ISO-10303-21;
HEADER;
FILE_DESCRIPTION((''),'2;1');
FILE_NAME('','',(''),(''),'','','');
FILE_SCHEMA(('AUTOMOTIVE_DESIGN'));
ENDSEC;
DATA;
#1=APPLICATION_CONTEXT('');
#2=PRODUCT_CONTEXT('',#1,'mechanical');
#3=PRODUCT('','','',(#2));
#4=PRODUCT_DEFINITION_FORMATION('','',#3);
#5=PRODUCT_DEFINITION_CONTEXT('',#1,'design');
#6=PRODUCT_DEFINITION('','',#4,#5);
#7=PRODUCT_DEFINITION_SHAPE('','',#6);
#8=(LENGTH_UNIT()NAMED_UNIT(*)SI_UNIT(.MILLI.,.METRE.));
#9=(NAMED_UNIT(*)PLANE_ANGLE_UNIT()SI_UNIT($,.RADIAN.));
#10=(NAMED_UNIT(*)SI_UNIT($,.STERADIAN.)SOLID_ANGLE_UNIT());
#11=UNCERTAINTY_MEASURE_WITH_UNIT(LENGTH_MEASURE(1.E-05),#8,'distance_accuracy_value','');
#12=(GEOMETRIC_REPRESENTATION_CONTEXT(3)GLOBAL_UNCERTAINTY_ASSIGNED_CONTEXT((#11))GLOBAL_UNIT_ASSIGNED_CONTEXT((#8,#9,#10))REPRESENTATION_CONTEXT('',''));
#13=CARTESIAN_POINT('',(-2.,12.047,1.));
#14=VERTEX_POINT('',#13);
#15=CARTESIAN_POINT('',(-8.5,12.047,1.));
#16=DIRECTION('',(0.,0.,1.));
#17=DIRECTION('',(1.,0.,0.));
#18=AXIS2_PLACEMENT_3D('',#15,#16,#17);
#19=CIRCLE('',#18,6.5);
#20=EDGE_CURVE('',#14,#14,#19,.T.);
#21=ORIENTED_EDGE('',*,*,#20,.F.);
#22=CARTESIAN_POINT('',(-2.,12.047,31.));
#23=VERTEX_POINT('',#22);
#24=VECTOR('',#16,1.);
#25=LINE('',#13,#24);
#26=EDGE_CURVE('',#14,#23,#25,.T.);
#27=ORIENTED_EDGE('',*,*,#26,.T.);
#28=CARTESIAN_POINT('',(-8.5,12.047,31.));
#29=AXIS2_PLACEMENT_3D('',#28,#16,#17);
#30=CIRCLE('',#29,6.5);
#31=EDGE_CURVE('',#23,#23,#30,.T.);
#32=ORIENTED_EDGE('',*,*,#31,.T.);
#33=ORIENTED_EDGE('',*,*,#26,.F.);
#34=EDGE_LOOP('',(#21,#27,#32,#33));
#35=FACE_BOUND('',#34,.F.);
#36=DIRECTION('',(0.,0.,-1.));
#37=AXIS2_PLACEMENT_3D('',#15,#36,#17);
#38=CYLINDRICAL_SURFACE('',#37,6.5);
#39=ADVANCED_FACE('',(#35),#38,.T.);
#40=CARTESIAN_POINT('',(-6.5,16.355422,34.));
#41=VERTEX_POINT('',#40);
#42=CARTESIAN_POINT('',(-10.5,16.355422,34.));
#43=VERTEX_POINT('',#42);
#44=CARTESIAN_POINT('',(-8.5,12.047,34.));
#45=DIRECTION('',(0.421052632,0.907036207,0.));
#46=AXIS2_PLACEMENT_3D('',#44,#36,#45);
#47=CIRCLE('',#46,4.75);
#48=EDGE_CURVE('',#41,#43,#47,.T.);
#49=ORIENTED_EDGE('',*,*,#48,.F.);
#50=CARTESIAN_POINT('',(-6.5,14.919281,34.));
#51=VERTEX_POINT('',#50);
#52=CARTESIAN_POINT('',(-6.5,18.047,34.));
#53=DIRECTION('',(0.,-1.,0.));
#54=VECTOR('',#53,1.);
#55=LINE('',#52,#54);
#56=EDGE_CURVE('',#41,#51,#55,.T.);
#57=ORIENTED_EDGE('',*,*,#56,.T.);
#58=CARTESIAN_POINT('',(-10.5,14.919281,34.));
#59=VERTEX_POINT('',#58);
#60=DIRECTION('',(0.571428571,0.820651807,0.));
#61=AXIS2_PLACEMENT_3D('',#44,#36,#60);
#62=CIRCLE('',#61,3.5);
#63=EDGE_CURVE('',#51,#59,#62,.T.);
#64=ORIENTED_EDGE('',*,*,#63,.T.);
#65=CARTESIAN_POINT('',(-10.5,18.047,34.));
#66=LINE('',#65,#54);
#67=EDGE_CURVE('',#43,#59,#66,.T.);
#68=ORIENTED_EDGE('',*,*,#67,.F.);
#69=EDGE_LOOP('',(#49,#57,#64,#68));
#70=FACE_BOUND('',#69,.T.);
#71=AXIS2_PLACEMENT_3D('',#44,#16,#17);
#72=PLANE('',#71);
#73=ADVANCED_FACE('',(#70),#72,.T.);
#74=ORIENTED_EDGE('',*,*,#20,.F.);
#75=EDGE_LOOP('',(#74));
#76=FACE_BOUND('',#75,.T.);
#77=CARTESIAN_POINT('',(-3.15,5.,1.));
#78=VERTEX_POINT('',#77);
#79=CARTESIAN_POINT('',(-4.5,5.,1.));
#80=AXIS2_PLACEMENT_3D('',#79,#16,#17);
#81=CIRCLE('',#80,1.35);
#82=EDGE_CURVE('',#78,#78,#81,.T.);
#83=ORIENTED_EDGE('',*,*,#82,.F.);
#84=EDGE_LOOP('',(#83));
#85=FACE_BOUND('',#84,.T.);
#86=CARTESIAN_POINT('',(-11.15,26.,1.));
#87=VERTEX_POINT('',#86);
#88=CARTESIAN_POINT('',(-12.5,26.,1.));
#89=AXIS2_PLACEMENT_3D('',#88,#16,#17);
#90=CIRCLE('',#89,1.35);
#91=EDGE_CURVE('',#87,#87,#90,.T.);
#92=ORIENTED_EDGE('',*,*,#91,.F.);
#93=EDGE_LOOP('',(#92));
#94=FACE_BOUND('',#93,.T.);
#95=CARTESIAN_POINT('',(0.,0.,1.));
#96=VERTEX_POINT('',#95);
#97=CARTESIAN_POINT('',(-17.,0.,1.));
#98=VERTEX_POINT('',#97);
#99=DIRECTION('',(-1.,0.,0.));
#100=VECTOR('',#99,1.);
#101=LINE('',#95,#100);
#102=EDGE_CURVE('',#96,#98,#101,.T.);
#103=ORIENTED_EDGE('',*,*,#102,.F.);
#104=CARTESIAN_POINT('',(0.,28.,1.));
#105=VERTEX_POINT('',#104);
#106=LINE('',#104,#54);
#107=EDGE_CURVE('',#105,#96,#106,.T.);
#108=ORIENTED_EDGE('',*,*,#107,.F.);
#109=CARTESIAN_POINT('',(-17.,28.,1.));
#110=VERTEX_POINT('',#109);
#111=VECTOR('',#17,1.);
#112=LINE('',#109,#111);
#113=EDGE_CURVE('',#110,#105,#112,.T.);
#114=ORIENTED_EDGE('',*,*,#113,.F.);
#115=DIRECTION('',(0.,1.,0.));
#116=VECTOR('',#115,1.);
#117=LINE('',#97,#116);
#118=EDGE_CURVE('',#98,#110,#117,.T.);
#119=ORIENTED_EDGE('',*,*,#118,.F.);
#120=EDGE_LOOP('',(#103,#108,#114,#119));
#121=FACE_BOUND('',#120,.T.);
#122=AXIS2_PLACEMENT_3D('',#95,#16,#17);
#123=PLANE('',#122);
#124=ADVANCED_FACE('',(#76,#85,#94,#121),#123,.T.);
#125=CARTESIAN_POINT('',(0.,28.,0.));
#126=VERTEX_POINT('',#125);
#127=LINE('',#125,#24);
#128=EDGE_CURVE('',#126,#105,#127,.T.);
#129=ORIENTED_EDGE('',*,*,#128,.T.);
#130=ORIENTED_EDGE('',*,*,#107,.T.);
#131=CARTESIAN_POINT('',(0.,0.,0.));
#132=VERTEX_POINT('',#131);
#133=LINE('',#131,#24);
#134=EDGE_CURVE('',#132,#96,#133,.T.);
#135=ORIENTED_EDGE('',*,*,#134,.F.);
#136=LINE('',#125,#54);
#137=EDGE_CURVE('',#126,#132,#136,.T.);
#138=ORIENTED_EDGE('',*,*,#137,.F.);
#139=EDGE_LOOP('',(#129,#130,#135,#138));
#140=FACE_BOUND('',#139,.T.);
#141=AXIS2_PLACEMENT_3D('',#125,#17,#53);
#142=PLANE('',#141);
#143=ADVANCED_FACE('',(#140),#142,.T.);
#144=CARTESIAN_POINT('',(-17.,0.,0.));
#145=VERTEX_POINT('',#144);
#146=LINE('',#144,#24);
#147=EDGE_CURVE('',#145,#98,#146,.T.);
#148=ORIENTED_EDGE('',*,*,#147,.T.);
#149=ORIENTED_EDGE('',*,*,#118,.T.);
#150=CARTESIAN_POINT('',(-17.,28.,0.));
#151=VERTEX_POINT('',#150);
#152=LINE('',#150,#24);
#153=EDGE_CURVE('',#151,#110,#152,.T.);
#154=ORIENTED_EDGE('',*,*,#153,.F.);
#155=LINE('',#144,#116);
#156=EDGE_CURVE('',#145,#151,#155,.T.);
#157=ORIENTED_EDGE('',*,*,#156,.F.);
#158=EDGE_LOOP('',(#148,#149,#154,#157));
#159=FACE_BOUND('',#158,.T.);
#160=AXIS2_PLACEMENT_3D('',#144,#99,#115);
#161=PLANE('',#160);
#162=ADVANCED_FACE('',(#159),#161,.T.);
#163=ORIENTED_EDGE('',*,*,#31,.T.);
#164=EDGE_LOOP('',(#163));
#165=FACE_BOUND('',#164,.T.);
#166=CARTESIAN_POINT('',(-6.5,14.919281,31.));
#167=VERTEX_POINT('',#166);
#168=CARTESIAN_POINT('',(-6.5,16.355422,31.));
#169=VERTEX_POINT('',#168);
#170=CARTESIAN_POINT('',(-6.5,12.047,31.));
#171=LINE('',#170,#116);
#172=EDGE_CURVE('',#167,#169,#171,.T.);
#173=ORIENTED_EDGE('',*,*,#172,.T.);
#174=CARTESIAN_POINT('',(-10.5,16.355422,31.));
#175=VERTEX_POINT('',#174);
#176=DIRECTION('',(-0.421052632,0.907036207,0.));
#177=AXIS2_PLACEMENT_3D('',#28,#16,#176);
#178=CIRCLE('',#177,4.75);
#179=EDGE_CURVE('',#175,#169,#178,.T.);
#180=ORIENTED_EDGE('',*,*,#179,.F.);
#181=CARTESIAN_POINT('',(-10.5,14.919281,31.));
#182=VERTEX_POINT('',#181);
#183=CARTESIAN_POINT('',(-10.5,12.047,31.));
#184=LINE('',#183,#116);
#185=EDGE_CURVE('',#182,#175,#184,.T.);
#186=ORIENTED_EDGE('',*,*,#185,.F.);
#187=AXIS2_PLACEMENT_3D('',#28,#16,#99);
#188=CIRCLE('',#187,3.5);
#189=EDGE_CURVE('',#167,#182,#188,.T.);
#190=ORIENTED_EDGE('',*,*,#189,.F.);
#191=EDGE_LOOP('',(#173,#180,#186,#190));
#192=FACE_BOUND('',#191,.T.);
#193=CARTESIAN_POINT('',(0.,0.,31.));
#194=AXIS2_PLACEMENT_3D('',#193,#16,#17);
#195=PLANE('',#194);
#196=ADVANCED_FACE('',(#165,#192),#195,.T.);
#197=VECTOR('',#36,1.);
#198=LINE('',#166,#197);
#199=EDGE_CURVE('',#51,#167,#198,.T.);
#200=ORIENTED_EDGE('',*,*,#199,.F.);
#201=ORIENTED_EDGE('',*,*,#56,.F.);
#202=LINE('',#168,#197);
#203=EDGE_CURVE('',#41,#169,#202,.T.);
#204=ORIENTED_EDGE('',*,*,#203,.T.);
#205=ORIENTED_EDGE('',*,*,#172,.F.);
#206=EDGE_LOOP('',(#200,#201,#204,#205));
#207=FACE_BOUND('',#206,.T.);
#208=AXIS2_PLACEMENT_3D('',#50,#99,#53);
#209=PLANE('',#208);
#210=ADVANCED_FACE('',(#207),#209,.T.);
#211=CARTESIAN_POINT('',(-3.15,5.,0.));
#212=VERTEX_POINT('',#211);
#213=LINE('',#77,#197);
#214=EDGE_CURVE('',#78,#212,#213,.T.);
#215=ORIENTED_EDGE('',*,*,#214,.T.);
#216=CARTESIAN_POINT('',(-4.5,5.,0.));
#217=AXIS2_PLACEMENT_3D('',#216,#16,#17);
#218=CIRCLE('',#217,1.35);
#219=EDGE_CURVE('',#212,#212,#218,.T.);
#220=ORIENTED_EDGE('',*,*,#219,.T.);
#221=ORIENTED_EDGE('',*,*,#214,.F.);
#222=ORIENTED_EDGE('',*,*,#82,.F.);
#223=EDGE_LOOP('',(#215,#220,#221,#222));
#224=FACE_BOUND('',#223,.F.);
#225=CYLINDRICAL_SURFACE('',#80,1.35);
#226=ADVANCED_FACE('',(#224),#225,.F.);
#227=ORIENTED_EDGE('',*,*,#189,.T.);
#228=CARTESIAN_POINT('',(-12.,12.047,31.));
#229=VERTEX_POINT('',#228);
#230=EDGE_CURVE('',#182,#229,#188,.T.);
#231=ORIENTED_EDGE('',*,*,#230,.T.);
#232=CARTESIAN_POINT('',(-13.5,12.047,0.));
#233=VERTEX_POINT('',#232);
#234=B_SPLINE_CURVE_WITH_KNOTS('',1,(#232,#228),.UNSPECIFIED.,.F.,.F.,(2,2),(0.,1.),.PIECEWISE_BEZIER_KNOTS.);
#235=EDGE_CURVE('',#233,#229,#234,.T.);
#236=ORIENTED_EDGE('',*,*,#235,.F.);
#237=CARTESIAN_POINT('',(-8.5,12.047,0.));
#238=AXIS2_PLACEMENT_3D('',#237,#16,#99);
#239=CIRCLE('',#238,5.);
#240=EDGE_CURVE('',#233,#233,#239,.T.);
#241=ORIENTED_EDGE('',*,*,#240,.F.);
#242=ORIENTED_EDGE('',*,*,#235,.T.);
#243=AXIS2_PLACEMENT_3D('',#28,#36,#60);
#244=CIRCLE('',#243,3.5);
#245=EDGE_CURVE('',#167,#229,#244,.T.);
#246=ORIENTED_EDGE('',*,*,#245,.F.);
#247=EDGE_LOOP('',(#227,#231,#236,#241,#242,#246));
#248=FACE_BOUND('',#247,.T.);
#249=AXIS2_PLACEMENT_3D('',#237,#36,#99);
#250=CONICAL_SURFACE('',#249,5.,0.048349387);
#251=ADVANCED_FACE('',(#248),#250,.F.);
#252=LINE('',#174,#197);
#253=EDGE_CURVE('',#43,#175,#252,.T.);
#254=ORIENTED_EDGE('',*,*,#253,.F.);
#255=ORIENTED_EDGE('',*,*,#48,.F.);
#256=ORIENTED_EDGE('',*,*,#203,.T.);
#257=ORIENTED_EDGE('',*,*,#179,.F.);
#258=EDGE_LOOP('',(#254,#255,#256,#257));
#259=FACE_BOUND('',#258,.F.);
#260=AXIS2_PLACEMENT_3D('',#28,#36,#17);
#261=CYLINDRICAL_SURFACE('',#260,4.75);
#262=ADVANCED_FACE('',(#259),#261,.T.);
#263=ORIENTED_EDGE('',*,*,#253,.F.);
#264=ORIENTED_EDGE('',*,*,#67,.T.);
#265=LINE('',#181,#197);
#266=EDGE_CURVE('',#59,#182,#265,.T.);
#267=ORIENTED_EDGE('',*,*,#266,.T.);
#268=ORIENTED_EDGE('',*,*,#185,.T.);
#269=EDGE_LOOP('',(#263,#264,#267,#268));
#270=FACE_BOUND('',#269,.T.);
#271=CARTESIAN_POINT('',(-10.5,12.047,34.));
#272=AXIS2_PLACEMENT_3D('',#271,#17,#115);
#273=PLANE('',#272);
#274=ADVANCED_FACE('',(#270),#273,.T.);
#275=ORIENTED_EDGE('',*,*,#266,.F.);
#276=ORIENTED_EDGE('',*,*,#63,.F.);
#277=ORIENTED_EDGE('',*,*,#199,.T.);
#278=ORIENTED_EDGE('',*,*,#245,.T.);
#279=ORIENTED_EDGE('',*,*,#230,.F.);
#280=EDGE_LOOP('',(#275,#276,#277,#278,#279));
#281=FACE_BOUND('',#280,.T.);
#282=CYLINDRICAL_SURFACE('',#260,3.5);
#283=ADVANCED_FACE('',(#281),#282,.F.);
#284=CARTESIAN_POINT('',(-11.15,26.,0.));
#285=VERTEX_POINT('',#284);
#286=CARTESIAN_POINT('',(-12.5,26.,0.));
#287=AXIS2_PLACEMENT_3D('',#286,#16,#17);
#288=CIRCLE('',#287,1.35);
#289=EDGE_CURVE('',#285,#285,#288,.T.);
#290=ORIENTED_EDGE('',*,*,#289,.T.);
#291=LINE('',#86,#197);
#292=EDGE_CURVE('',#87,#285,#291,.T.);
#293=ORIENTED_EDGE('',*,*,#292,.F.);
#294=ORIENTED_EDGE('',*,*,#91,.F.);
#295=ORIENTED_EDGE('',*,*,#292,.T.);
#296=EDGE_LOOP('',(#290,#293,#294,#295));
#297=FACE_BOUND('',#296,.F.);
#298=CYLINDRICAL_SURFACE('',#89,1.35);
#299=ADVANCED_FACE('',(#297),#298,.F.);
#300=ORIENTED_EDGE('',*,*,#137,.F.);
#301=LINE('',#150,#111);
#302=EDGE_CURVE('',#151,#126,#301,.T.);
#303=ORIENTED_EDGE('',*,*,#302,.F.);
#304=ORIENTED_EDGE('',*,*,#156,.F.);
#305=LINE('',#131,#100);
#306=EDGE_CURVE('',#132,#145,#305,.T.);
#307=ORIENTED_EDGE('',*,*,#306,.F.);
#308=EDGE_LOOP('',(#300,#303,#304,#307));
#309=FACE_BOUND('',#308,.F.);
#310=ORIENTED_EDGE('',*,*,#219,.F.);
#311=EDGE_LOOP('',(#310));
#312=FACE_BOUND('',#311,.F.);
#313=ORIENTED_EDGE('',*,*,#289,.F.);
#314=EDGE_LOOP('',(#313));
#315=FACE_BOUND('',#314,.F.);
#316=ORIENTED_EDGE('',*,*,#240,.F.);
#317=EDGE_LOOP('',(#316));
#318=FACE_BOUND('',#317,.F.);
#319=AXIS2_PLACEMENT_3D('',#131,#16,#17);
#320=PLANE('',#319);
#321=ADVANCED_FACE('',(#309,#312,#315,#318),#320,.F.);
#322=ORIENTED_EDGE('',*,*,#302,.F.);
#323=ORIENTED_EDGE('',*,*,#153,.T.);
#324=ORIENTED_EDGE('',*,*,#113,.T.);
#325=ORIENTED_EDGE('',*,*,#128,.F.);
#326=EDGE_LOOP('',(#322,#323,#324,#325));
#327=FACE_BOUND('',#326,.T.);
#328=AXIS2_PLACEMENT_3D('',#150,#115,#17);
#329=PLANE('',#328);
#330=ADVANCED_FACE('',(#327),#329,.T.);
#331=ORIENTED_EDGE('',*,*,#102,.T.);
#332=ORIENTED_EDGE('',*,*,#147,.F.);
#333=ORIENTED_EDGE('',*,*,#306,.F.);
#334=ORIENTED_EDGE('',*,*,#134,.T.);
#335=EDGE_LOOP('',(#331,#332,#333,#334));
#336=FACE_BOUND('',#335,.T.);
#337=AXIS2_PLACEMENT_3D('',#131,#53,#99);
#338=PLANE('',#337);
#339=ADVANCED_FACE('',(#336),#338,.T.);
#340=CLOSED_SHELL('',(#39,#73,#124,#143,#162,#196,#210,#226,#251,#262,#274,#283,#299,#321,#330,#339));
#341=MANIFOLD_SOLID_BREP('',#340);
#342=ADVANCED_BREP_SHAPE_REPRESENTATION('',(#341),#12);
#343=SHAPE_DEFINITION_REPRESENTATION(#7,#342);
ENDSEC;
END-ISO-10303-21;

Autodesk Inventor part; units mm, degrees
ref_plane "YZ Plane" through (0, 0, 0) normal (1, 0, 0) x (0, 1, 0)
ref_plane "XZ Plane" through (0, 0, 0) normal (0, 1, 0) x (-1, 0, 0)
ref_plane "XY Plane" through (0, 0, 0) normal (0, 0, 1) x (1, 0, 0)
sketch "Sketch1" plane through (0, 0, 0) normal (0, 0, 1) x (1, 0, 0)
  line L0 (-17, 28) -> (0, 28)
  line L1 (0, 28) -> (0, 0)
  line L2 (0, 0) -> (-17, 0)
  line L3 (-17, 0) -> (-17, 28)
  dimension "d0" = 17
  dimension "d1" = 28
extrude "Extrusion1" add sketch "Sketch1" along normal blind 1
sketch "Sketch2" plane through (0, 0, 1) normal (0, 0, 1) x (1, 0, 0)
  line L0 (-17, 28) -> (-17, 0) projected
  line L1 (0, 28) -> (-17, 28) projected
  line L2 (0, 0) -> (0, 28) projected
  line L3 (-17, 0) -> (0, 0) projected
  circle A0 centre (-12.5, 26) radius 1.35
  circle A1 centre (-4.5, 5) radius 1.35
  dimension "d4" = 2.7
  dimension "d5" = 2.7
  dimension "d6" = 4.5
  dimension "d7" = 4.5
  dimension "d8" = 2
  dimension "d9" = 5
extrude "Extrusion2" cut sketch "Sketch2" against normal through all contours A0 | A1
sketch "Sketch3" plane through (0, 0, 1) normal (0, 0, 1) x (1, 0, 0)
  circle A0 centre (-12.5, 26) radius 1.35 projected
  circle A1 centre (-4.5, 5) radius 1.35 projected
  line L0 (0, 28) -> (-17, 28) projected
  line L1 (-17, 28) -> (-17, 0) projected
  line L2 (-17, 0) -> (0, 0) projected
  line L3 (0, 0) -> (0, 28) projected
  circle A2 centre (-8.5, 12.047) radius 6.5
  dimension "d12" = 13
  dimension "d13" = 12.047
extrude "Extrusion3" add sketch "Sketch3" along normal blind 30 contours A2
sketch "Sketch4" plane through (-8.5, 12.047, 31) normal (0, 0, 1) x (1, 0, 0)
  circle A0 centre (0, 0) radius 6.5 projected
  circle A1 centre (0, 0) radius 3.5
  point P0 (8.5, -12.047)
  dimension "d16" = 7
sketch "Sketch5" plane through (0, 0, 0) normal (0, 0, -1) x (-1, 0, 0)
  circle A0 centre (8.5, 12.047) radius 6.5 projected
  circle A1 centre (8.5, 12.047) radius 5
  point P0 (0, 0)
  dimension "d17" = 10
loft "Loft1" cut profiles "Sketch5", "Sketch4" contours A1 / A1
sketch "Sketch6" plane through (-8.5, 12.047, 31) normal (0, 0, 1) x (1, 0, 0)
  circle A0 centre (0, 0) radius 3.5 projected
  circle A1 centre (0, 0) radius 4.75
  point P0 (8.5, -12.047)
  dimension "d26" = 9.5
extrude "Extrusion6" add sketch "Sketch6" along normal blind 3
sketch "Sketch7" plane through (-8.5, 12.047, 34) normal (0, 0, 1) x (1, 0, 0)
  circle A0 centre (0, 0) radius 3.5 projected
  circle A1 centre (0, 0) radius 4.75 projected
  line L0 (2, 0) -> (-2, 0)
  line L1 (-2, 0) -> (-2, 6)
  line L2 (-2, 6) -> (2, 6)
  line L3 (2, 6) -> (2, 0)
  point P0 (8.5, -12.047)
  dimension "d29" = 4
  dimension "d30" = 2
extrude "Extrusion7" cut sketch "Sketch7" against normal up to surface (3 mm away) contours L3 L0 L1 A0 | A0 L1 A1 L3 | A1 L1 L2 L3 picked at (0.1416, 1.158) picked at (-1.4244, 4.0721)
properties part number "TORRE"
